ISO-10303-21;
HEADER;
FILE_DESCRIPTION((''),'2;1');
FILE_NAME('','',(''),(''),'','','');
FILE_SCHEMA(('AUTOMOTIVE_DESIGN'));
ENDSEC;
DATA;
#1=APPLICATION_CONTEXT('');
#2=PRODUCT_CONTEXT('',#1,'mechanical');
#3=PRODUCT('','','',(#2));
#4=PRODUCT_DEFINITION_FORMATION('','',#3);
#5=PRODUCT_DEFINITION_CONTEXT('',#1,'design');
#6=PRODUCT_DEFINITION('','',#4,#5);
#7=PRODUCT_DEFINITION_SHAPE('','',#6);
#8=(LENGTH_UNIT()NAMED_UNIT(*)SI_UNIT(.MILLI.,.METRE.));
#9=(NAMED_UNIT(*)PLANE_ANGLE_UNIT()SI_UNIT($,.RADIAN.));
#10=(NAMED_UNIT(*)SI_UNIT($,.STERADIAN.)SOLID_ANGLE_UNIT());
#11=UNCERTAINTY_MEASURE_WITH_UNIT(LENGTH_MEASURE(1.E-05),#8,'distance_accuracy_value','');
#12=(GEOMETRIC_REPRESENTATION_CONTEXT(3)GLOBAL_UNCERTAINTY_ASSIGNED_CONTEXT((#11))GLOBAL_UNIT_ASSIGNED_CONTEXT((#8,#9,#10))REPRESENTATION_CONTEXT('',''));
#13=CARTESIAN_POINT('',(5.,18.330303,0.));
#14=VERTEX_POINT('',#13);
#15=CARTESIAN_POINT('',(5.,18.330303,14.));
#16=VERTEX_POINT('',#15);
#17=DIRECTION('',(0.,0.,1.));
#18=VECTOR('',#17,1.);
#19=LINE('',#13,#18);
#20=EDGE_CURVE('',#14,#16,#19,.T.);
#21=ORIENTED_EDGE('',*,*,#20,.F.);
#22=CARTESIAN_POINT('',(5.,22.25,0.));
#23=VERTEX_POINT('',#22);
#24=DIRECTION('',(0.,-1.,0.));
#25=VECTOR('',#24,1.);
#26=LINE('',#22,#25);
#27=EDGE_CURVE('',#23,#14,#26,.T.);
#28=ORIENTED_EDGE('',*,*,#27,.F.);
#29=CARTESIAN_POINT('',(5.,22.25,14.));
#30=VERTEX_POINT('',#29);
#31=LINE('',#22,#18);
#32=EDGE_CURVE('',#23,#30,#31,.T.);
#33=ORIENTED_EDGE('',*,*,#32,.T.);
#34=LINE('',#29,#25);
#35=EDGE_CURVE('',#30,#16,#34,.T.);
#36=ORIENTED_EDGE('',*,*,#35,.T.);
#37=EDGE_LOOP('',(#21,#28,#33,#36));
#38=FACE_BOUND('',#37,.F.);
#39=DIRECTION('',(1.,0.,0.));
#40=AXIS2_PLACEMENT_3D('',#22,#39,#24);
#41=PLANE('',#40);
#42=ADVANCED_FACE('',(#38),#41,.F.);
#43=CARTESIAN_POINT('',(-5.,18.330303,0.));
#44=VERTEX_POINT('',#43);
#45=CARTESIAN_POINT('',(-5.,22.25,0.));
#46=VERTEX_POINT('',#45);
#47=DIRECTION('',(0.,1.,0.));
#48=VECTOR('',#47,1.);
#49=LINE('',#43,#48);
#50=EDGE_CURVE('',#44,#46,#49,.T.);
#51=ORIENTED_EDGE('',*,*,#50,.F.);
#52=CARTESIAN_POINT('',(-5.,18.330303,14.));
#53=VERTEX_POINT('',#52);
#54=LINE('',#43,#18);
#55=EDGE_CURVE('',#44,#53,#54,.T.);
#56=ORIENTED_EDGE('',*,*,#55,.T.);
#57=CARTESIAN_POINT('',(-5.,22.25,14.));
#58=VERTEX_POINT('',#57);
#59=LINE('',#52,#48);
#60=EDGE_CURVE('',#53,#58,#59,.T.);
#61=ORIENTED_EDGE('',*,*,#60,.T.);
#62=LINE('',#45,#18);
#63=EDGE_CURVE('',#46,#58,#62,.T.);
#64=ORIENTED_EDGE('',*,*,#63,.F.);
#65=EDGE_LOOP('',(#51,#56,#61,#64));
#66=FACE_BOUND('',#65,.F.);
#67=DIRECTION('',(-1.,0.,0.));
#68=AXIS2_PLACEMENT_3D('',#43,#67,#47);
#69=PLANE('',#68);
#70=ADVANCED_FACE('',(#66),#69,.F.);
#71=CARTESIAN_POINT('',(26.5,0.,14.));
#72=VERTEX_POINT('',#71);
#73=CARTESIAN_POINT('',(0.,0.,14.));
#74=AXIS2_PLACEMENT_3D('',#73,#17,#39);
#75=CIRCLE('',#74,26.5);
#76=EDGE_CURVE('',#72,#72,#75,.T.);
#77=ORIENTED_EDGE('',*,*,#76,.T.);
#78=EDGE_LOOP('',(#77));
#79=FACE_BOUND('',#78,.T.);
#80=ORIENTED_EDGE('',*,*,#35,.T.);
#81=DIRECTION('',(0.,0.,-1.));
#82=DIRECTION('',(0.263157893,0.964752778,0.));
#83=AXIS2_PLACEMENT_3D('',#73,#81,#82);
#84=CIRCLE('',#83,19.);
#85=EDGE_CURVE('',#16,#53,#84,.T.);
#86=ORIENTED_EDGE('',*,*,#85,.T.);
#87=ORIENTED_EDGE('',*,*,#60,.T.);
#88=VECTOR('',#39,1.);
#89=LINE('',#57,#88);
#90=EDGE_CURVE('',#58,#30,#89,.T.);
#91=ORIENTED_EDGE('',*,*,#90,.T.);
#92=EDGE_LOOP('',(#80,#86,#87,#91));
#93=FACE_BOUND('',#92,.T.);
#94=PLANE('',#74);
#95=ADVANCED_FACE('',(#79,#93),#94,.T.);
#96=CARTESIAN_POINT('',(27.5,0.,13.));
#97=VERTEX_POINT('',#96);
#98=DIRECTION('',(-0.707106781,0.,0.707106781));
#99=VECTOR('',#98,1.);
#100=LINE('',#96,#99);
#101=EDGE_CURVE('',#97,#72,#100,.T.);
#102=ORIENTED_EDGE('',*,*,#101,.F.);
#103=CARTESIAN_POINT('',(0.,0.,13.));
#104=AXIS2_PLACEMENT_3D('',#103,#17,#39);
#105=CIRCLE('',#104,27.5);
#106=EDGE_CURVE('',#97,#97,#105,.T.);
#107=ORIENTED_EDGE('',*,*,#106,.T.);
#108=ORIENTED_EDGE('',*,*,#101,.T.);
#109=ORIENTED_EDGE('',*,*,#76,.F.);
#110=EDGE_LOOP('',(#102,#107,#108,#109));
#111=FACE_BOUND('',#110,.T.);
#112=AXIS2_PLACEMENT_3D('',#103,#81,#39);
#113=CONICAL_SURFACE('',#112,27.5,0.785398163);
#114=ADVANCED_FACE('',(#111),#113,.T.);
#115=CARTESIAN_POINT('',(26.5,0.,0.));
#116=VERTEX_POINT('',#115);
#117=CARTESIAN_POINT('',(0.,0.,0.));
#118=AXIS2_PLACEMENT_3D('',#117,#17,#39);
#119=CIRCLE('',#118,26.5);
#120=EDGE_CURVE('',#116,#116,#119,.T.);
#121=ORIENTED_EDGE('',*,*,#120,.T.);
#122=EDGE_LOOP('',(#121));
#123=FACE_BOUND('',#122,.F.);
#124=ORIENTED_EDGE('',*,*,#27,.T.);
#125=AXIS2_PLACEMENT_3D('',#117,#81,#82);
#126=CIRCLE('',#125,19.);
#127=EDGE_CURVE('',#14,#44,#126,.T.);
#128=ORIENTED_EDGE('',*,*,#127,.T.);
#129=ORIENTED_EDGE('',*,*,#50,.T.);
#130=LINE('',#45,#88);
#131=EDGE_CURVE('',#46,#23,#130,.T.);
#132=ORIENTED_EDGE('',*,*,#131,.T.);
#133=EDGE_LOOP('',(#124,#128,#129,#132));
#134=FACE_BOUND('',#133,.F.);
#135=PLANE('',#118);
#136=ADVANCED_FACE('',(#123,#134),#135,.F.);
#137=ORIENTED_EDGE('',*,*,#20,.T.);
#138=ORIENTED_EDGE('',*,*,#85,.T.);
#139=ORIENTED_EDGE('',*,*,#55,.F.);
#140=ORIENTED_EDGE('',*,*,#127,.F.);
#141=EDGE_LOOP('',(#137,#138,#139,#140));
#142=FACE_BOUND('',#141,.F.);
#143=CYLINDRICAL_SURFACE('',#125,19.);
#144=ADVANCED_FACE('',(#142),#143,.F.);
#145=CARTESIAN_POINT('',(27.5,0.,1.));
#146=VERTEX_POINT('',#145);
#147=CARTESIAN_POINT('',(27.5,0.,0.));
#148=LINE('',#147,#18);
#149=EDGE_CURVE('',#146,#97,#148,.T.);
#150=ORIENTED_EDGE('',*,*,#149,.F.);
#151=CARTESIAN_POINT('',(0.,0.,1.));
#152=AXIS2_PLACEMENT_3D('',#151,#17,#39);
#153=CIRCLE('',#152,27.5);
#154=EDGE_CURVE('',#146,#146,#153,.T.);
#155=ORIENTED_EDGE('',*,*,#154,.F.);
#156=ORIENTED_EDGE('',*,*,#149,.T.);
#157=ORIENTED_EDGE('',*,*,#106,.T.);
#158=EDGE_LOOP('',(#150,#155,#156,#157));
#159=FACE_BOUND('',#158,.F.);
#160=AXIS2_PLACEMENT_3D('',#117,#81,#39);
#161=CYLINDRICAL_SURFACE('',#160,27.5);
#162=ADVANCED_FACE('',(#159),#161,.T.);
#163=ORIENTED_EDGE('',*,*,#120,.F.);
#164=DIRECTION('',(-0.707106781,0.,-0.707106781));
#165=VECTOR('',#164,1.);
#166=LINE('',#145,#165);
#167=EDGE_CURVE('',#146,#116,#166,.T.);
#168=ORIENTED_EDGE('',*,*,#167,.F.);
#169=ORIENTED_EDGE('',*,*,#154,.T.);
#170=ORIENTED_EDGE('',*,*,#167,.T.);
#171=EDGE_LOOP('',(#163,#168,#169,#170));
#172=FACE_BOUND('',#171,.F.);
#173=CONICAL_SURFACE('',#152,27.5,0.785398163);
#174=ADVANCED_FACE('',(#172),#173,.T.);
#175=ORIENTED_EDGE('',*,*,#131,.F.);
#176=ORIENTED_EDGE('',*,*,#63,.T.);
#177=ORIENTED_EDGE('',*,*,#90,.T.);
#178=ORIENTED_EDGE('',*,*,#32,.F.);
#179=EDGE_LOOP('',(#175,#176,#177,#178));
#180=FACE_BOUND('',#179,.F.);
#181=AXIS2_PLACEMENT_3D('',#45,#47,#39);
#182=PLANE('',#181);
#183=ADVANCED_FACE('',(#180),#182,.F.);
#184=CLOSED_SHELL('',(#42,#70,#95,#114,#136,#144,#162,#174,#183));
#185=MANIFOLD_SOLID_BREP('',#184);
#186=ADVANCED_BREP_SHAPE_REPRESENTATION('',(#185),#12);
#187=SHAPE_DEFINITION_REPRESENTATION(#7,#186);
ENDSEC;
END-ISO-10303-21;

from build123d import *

# Parameters (mm, degrees)
F0_R     = 27.5
F1_DEPTH = 14
F2_SIZE  = 1


with BuildPart() as f1:
    # F0 (on Top) → F1 (new body)
    with BuildSketch(Plane.XY):
        Circle(F0_R)
        with BuildLine():
            ThreePointArc((5, 18.330303), (0, -19), (-5, 18.330303))
            Line((-5, 18.330303), (-5, 22.25))
            Line((-5, 22.25), (0, 22.25))
            Line((0, 22.25), (5, 22.25))
            Line((5, 22.25), (5, 18.330303))
        make_face(mode=Mode.SUBTRACT)
    extrude(amount=F1_DEPTH)

    # F2
    f2_edges = [f1.edges().sort_by_distance(p)[0] for p in [
        (-27.5, 0, 14),
        (-27.5, 0, 0),
    ]]
    chamfer(f2_edges, length=F2_SIZE)


solid = f1.part
